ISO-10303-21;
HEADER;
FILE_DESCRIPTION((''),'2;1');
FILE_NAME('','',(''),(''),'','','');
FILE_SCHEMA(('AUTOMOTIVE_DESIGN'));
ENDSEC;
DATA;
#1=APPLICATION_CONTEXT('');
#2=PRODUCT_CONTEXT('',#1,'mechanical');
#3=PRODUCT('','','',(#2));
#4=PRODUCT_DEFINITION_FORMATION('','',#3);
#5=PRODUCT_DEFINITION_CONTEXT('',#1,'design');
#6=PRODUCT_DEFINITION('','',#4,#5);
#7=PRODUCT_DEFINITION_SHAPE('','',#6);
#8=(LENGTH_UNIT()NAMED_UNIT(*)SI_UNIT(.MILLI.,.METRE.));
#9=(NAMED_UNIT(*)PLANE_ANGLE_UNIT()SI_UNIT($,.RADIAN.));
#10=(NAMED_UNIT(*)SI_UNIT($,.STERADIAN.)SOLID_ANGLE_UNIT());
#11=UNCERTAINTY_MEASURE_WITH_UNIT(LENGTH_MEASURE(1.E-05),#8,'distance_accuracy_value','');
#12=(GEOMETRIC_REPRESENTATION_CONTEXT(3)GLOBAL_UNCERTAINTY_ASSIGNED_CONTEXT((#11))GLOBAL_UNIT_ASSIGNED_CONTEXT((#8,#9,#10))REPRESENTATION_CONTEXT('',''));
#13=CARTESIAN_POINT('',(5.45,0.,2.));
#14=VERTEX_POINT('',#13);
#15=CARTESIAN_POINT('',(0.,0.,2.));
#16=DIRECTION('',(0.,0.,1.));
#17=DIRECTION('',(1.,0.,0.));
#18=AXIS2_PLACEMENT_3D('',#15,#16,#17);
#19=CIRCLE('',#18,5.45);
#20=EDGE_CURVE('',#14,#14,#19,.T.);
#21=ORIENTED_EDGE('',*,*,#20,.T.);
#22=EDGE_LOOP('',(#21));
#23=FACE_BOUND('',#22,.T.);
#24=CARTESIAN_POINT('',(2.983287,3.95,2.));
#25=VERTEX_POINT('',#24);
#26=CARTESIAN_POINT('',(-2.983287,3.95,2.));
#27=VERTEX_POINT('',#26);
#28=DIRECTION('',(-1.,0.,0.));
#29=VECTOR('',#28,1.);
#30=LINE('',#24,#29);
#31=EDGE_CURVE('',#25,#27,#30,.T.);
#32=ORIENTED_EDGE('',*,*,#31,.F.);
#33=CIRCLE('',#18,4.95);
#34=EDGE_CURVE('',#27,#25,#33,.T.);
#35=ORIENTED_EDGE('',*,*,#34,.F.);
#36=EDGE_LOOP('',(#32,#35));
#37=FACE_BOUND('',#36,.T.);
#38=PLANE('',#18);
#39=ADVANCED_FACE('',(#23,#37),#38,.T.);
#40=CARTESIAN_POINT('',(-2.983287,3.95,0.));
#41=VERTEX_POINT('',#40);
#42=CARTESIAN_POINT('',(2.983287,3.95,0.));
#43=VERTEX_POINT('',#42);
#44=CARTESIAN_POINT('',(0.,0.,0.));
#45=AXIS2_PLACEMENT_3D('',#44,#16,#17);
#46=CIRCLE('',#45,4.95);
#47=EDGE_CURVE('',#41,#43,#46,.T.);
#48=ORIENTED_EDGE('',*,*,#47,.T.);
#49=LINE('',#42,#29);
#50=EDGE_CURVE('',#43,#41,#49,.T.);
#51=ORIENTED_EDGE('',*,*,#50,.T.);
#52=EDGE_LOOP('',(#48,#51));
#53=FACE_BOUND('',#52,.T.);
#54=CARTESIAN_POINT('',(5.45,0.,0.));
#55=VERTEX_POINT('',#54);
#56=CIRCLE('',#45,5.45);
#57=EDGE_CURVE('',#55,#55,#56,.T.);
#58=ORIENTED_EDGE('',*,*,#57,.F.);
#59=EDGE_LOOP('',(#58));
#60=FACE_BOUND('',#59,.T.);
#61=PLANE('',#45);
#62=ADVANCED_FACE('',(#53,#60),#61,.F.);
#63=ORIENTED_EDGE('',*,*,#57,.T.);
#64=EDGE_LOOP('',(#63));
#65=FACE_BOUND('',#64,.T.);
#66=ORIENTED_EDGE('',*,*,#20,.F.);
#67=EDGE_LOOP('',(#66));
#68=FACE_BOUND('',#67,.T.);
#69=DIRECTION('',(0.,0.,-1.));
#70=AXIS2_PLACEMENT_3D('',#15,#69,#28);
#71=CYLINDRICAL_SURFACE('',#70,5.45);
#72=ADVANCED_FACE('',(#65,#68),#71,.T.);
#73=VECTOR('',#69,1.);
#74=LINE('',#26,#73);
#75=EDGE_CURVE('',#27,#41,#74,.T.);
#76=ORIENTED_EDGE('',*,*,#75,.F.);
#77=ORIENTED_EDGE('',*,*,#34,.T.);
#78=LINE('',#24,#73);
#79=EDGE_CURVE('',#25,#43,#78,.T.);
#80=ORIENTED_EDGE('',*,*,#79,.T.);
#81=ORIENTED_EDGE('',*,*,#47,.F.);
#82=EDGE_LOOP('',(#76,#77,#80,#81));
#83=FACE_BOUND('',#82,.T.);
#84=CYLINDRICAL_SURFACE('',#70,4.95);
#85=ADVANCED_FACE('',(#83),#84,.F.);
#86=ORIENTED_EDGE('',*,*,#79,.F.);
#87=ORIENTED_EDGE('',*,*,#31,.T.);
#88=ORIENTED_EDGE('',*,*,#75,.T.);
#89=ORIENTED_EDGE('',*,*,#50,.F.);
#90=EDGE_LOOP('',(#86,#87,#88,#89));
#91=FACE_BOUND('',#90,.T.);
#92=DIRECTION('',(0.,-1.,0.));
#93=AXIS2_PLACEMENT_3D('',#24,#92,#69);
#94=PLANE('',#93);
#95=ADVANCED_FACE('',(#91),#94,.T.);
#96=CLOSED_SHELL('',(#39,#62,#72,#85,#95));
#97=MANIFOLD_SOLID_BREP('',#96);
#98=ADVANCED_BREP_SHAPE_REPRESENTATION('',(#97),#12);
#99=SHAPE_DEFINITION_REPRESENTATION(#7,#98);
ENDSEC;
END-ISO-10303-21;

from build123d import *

# Parameters (mm, degrees)
SKIZZE1_R                       = 5.45
AUFSATZ_LINEAR_AUSTRAGEN1_DEPTH = 2


with BuildPart() as part:
    # Skizze1 → Aufsatz-Linear austragen1 (new body)
    with BuildSketch(Plane.XY):
        Circle(SKIZZE1_R)
        with BuildLine():
            Line((2.983286778, 3.95), (-2.983286778, 3.95))
            ThreePointArc((-2.983286778, 3.95), (0, -4.95), (2.983286778, 3.95))
        make_face(mode=Mode.SUBTRACT)
    extrude(amount=AUFSATZ_LINEAR_AUSTRAGEN1_DEPTH)


solid = part.part
